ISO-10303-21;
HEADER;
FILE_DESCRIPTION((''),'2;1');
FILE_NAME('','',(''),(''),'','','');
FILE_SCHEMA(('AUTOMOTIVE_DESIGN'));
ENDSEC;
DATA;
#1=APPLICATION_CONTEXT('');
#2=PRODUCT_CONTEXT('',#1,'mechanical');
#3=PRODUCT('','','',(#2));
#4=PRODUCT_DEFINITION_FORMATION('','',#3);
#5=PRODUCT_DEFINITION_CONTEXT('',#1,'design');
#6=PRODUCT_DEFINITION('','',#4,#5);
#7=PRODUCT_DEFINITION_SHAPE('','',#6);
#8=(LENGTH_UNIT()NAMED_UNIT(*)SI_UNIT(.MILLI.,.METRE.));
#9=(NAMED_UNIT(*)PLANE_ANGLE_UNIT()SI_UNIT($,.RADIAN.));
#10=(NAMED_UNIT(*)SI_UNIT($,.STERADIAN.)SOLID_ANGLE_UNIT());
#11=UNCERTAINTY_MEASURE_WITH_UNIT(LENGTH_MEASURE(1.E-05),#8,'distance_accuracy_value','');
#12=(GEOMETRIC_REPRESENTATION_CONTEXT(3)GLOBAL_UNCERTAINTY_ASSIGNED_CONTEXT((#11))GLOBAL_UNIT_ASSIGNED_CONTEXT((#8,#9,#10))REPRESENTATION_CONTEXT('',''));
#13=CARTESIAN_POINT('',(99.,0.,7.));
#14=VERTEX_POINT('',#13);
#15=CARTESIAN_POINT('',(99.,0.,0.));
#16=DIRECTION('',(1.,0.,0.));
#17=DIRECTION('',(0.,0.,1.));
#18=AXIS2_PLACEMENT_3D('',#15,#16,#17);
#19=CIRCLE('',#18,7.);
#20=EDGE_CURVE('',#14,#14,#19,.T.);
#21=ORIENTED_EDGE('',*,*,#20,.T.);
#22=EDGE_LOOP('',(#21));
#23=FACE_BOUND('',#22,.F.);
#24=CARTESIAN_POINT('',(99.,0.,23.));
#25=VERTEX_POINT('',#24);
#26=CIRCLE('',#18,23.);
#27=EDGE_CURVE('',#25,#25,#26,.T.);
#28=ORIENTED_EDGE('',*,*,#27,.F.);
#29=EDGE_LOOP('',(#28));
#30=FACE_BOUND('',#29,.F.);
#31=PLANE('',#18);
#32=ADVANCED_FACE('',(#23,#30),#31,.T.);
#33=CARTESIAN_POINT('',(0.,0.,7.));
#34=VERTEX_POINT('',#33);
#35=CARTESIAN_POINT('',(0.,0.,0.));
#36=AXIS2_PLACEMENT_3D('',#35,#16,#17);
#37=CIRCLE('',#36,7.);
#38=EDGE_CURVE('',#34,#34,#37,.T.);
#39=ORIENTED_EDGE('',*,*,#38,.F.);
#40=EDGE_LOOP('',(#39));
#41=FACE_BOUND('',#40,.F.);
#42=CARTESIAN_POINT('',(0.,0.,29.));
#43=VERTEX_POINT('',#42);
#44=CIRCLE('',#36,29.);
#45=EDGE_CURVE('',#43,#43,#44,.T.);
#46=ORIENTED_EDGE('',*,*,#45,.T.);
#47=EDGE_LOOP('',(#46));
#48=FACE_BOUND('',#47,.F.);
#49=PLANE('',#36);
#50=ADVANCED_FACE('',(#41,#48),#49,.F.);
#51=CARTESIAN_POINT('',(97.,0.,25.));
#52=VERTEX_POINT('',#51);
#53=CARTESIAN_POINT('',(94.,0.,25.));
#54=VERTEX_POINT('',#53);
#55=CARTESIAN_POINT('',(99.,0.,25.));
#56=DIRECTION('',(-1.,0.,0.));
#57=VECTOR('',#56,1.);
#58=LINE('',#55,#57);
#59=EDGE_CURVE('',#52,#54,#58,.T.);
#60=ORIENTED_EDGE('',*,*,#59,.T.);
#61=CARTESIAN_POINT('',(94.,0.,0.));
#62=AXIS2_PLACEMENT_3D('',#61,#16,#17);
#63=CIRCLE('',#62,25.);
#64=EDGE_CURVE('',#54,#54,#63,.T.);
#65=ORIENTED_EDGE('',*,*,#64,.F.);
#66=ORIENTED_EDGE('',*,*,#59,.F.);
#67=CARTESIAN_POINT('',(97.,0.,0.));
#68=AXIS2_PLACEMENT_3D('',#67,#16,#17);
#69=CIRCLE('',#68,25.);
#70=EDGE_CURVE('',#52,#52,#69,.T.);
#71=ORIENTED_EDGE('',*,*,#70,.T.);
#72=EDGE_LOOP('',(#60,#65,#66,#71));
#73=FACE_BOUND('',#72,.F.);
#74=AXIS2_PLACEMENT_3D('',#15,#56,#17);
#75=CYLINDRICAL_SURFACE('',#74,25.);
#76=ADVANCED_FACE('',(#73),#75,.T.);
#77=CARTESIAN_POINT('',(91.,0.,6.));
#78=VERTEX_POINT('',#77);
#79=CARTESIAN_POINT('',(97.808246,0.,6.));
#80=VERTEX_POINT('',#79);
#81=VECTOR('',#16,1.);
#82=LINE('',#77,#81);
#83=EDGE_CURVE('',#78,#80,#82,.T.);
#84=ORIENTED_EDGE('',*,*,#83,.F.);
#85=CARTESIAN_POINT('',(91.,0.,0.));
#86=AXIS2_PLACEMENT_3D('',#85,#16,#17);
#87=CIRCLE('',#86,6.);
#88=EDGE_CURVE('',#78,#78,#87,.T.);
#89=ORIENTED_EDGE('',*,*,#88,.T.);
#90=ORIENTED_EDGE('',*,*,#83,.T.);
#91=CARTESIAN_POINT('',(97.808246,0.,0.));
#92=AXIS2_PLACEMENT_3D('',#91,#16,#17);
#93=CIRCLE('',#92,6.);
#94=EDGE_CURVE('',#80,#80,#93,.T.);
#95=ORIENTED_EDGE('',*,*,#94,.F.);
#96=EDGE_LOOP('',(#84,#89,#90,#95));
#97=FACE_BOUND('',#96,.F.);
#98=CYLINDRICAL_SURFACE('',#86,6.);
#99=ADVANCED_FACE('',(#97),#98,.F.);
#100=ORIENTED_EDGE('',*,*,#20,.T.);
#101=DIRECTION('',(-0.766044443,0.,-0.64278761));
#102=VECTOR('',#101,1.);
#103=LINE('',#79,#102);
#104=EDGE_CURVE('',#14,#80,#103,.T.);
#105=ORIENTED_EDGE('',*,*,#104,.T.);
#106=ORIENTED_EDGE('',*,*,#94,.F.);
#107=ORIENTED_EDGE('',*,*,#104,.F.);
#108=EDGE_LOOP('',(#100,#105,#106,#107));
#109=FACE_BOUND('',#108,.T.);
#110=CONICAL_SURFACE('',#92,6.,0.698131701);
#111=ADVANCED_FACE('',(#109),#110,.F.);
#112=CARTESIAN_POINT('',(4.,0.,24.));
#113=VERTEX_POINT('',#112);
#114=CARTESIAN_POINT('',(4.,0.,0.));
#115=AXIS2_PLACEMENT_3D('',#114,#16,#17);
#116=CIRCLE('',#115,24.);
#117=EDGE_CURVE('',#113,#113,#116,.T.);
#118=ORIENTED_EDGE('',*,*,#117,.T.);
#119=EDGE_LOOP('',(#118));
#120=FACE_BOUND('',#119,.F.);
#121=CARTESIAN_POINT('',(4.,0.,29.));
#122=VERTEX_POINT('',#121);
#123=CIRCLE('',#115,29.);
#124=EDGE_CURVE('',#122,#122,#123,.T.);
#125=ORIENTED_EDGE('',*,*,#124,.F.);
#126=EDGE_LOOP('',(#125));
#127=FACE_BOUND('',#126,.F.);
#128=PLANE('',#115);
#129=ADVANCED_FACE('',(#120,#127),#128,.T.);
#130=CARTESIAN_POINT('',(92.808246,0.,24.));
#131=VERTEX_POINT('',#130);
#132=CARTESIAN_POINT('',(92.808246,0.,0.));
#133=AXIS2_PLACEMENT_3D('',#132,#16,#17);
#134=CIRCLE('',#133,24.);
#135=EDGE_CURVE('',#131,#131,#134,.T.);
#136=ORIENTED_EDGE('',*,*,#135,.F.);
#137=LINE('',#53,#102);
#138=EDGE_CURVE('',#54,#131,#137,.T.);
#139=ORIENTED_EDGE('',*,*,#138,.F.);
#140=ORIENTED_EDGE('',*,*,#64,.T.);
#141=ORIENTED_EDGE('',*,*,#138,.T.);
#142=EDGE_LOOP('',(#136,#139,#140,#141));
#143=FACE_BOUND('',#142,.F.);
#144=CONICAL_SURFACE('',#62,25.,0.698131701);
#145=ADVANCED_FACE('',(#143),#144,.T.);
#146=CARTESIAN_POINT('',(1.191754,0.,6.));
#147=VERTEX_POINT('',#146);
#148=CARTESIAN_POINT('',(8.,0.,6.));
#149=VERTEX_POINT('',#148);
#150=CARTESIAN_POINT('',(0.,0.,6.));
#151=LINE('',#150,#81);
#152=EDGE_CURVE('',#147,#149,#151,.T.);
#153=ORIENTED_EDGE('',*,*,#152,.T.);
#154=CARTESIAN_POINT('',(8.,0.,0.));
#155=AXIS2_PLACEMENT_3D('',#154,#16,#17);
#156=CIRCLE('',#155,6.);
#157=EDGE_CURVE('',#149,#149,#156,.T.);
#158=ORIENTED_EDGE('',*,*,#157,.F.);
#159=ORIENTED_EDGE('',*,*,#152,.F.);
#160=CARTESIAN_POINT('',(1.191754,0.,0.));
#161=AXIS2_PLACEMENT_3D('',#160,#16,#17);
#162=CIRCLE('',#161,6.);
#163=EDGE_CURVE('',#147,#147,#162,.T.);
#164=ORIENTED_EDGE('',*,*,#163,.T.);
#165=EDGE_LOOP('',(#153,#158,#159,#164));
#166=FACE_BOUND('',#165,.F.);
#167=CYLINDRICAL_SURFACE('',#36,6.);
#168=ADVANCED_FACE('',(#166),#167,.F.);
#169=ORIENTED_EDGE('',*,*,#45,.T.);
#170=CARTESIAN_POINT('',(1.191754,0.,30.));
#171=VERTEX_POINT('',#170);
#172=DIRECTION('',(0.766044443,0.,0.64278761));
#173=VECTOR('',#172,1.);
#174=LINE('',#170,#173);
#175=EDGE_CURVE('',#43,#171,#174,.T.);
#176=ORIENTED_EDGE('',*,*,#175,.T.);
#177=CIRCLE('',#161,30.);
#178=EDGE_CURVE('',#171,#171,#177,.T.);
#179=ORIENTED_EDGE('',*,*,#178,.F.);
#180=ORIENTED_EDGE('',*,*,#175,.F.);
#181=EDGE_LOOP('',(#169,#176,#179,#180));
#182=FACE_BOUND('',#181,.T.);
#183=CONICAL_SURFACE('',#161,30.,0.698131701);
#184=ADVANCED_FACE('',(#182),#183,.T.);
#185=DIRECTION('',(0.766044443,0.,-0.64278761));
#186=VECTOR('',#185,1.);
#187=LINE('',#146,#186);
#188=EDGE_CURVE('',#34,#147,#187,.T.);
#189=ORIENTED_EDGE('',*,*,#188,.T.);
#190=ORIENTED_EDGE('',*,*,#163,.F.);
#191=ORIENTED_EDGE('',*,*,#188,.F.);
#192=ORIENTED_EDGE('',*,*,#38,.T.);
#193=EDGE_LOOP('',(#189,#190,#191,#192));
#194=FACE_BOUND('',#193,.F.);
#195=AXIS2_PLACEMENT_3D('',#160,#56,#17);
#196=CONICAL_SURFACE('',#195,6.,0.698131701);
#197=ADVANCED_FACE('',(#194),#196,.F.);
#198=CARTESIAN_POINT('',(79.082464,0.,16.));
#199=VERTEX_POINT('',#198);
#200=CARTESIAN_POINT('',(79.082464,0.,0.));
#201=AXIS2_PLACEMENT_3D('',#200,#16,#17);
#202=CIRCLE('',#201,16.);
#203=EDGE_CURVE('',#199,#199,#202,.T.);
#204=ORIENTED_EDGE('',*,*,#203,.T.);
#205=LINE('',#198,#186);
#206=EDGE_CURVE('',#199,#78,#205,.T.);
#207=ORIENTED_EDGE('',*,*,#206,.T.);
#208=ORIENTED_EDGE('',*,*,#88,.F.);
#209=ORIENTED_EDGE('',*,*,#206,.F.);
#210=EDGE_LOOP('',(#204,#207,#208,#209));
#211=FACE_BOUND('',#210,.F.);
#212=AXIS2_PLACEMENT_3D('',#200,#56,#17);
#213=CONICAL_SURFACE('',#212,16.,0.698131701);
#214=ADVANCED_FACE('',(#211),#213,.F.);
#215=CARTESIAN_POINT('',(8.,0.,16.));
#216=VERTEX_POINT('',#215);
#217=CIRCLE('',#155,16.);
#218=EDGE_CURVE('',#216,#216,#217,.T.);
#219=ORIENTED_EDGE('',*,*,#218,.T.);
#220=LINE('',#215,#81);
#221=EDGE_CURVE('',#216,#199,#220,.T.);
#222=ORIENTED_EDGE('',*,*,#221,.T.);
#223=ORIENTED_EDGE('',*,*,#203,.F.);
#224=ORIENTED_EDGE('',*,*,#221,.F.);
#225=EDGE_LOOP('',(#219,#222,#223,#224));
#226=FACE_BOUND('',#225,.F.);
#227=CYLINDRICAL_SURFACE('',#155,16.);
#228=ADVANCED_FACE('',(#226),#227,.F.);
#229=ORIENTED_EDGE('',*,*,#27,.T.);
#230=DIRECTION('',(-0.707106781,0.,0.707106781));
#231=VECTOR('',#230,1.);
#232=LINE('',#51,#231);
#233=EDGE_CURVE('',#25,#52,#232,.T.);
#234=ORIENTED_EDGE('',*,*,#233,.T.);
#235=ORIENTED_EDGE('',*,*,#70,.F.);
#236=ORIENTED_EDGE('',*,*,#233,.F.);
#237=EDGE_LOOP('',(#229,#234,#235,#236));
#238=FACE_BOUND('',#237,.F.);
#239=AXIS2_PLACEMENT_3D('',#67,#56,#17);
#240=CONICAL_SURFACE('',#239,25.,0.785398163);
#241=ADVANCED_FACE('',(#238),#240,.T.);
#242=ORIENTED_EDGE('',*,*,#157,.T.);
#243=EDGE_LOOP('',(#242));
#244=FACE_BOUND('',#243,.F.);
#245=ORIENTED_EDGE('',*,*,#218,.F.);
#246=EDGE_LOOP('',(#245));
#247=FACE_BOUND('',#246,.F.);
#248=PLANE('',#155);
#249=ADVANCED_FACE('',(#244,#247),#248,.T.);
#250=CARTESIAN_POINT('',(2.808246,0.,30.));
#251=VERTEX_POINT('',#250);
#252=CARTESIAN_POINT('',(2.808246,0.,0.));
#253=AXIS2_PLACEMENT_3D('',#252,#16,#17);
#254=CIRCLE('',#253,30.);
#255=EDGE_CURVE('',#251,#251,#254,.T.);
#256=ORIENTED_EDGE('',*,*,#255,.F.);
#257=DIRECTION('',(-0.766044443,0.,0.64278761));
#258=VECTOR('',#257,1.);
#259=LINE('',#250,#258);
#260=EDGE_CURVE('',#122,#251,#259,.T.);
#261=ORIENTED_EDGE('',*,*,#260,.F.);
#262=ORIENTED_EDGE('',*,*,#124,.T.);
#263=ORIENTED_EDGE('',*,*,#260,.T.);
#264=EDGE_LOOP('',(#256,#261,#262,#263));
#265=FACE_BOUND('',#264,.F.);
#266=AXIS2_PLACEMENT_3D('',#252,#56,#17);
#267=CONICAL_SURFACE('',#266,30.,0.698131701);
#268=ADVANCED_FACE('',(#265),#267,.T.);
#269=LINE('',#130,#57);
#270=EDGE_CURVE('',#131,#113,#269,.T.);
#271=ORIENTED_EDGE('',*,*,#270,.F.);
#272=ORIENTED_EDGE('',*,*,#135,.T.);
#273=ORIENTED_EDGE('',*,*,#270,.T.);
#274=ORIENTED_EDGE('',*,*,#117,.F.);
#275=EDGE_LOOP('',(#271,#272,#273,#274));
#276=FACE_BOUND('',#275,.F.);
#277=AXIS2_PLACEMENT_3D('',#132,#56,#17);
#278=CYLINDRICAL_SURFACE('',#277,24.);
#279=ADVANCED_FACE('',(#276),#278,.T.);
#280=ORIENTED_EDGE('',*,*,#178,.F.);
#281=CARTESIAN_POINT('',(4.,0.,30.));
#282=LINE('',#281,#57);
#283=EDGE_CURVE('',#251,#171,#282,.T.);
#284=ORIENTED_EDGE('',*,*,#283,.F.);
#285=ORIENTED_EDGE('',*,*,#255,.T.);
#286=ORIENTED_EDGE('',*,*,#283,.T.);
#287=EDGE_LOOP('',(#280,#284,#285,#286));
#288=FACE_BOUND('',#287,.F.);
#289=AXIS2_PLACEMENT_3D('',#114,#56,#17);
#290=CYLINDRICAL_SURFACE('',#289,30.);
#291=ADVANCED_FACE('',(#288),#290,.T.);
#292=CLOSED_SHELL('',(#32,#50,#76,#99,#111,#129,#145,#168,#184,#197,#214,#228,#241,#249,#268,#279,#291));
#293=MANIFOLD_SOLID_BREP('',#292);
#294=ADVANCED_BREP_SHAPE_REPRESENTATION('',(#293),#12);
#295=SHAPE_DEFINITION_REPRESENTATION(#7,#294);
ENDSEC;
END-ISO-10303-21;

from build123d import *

# Parameters (mm, degrees)
F2_SIZE2 = 1.1917535926
F2_SIZE  = 1
F3_SIZE2 = 1.1917535926
F3_SIZE  = 1
F4_SIZE  = 2
F5_SIZE2 = 1.1917535926
F5_SIZE  = 1
F6_SIZE2 = 1.1917535926
F6_SIZE  = 1


with BuildPart() as f1:
    # F0 (on Front) → F1 (revolve)
    with BuildSketch(Plane.XZ):
        Polygon((0, 30), (0, 6), (8, 6), (8, 16), (79.0824640741, 16), (91, 6), (99, 6), (99, 25), (94, 25), (92.8082464074, 24), (4, 24), (4, 30), align=None)
    revolve(axis=Axis((29.4127222821, 0, 0), (1, 0, 0)))

    # F2
    f2_edges = [f1.edges().sort_by_distance(p)[0] for p in [
        (0, 0, -6),
    ]]
    f2_side = f1.faces().sort_by_distance((0, 0, -29.151472))[0]
    chamfer(f2_edges, length=F2_SIZE, length2=F2_SIZE2, reference=f2_side)

    # F3
    f3_edges = [f1.edges().sort_by_distance(p)[0] for p in [
        (99, 0, -6),
    ]]
    f3_side = f1.faces().sort_by_distance((99, 0, -6.707107))[0]
    chamfer(f3_edges, length=F3_SIZE, length2=F3_SIZE2, reference=f3_side)

    # F4
    f4_edges = [f1.edges().sort_by_distance(p)[0] for p in [
        (99, 0, -25),
    ]]
    chamfer(f4_edges, length=F4_SIZE)

    # F5
    f5_edges = [f1.edges().sort_by_distance(p)[0] for p in [
        (0, 0, -30),
    ]]
    f5_side = f1.faces().sort_by_distance((0, 0, -7.848528))[0]
    chamfer(f5_edges, length=F5_SIZE, length2=F5_SIZE2, reference=f5_side)

    # F6
    f6_edges = [f1.edges().sort_by_distance(p)[0] for p in [
        (4, 0, -30),
    ]]
    f6_side = f1.faces().sort_by_distance((4, 0, -24.848528))[0]
    chamfer(f6_edges, length=F6_SIZE, length2=F6_SIZE2, reference=f6_side)


solid = f1.part
